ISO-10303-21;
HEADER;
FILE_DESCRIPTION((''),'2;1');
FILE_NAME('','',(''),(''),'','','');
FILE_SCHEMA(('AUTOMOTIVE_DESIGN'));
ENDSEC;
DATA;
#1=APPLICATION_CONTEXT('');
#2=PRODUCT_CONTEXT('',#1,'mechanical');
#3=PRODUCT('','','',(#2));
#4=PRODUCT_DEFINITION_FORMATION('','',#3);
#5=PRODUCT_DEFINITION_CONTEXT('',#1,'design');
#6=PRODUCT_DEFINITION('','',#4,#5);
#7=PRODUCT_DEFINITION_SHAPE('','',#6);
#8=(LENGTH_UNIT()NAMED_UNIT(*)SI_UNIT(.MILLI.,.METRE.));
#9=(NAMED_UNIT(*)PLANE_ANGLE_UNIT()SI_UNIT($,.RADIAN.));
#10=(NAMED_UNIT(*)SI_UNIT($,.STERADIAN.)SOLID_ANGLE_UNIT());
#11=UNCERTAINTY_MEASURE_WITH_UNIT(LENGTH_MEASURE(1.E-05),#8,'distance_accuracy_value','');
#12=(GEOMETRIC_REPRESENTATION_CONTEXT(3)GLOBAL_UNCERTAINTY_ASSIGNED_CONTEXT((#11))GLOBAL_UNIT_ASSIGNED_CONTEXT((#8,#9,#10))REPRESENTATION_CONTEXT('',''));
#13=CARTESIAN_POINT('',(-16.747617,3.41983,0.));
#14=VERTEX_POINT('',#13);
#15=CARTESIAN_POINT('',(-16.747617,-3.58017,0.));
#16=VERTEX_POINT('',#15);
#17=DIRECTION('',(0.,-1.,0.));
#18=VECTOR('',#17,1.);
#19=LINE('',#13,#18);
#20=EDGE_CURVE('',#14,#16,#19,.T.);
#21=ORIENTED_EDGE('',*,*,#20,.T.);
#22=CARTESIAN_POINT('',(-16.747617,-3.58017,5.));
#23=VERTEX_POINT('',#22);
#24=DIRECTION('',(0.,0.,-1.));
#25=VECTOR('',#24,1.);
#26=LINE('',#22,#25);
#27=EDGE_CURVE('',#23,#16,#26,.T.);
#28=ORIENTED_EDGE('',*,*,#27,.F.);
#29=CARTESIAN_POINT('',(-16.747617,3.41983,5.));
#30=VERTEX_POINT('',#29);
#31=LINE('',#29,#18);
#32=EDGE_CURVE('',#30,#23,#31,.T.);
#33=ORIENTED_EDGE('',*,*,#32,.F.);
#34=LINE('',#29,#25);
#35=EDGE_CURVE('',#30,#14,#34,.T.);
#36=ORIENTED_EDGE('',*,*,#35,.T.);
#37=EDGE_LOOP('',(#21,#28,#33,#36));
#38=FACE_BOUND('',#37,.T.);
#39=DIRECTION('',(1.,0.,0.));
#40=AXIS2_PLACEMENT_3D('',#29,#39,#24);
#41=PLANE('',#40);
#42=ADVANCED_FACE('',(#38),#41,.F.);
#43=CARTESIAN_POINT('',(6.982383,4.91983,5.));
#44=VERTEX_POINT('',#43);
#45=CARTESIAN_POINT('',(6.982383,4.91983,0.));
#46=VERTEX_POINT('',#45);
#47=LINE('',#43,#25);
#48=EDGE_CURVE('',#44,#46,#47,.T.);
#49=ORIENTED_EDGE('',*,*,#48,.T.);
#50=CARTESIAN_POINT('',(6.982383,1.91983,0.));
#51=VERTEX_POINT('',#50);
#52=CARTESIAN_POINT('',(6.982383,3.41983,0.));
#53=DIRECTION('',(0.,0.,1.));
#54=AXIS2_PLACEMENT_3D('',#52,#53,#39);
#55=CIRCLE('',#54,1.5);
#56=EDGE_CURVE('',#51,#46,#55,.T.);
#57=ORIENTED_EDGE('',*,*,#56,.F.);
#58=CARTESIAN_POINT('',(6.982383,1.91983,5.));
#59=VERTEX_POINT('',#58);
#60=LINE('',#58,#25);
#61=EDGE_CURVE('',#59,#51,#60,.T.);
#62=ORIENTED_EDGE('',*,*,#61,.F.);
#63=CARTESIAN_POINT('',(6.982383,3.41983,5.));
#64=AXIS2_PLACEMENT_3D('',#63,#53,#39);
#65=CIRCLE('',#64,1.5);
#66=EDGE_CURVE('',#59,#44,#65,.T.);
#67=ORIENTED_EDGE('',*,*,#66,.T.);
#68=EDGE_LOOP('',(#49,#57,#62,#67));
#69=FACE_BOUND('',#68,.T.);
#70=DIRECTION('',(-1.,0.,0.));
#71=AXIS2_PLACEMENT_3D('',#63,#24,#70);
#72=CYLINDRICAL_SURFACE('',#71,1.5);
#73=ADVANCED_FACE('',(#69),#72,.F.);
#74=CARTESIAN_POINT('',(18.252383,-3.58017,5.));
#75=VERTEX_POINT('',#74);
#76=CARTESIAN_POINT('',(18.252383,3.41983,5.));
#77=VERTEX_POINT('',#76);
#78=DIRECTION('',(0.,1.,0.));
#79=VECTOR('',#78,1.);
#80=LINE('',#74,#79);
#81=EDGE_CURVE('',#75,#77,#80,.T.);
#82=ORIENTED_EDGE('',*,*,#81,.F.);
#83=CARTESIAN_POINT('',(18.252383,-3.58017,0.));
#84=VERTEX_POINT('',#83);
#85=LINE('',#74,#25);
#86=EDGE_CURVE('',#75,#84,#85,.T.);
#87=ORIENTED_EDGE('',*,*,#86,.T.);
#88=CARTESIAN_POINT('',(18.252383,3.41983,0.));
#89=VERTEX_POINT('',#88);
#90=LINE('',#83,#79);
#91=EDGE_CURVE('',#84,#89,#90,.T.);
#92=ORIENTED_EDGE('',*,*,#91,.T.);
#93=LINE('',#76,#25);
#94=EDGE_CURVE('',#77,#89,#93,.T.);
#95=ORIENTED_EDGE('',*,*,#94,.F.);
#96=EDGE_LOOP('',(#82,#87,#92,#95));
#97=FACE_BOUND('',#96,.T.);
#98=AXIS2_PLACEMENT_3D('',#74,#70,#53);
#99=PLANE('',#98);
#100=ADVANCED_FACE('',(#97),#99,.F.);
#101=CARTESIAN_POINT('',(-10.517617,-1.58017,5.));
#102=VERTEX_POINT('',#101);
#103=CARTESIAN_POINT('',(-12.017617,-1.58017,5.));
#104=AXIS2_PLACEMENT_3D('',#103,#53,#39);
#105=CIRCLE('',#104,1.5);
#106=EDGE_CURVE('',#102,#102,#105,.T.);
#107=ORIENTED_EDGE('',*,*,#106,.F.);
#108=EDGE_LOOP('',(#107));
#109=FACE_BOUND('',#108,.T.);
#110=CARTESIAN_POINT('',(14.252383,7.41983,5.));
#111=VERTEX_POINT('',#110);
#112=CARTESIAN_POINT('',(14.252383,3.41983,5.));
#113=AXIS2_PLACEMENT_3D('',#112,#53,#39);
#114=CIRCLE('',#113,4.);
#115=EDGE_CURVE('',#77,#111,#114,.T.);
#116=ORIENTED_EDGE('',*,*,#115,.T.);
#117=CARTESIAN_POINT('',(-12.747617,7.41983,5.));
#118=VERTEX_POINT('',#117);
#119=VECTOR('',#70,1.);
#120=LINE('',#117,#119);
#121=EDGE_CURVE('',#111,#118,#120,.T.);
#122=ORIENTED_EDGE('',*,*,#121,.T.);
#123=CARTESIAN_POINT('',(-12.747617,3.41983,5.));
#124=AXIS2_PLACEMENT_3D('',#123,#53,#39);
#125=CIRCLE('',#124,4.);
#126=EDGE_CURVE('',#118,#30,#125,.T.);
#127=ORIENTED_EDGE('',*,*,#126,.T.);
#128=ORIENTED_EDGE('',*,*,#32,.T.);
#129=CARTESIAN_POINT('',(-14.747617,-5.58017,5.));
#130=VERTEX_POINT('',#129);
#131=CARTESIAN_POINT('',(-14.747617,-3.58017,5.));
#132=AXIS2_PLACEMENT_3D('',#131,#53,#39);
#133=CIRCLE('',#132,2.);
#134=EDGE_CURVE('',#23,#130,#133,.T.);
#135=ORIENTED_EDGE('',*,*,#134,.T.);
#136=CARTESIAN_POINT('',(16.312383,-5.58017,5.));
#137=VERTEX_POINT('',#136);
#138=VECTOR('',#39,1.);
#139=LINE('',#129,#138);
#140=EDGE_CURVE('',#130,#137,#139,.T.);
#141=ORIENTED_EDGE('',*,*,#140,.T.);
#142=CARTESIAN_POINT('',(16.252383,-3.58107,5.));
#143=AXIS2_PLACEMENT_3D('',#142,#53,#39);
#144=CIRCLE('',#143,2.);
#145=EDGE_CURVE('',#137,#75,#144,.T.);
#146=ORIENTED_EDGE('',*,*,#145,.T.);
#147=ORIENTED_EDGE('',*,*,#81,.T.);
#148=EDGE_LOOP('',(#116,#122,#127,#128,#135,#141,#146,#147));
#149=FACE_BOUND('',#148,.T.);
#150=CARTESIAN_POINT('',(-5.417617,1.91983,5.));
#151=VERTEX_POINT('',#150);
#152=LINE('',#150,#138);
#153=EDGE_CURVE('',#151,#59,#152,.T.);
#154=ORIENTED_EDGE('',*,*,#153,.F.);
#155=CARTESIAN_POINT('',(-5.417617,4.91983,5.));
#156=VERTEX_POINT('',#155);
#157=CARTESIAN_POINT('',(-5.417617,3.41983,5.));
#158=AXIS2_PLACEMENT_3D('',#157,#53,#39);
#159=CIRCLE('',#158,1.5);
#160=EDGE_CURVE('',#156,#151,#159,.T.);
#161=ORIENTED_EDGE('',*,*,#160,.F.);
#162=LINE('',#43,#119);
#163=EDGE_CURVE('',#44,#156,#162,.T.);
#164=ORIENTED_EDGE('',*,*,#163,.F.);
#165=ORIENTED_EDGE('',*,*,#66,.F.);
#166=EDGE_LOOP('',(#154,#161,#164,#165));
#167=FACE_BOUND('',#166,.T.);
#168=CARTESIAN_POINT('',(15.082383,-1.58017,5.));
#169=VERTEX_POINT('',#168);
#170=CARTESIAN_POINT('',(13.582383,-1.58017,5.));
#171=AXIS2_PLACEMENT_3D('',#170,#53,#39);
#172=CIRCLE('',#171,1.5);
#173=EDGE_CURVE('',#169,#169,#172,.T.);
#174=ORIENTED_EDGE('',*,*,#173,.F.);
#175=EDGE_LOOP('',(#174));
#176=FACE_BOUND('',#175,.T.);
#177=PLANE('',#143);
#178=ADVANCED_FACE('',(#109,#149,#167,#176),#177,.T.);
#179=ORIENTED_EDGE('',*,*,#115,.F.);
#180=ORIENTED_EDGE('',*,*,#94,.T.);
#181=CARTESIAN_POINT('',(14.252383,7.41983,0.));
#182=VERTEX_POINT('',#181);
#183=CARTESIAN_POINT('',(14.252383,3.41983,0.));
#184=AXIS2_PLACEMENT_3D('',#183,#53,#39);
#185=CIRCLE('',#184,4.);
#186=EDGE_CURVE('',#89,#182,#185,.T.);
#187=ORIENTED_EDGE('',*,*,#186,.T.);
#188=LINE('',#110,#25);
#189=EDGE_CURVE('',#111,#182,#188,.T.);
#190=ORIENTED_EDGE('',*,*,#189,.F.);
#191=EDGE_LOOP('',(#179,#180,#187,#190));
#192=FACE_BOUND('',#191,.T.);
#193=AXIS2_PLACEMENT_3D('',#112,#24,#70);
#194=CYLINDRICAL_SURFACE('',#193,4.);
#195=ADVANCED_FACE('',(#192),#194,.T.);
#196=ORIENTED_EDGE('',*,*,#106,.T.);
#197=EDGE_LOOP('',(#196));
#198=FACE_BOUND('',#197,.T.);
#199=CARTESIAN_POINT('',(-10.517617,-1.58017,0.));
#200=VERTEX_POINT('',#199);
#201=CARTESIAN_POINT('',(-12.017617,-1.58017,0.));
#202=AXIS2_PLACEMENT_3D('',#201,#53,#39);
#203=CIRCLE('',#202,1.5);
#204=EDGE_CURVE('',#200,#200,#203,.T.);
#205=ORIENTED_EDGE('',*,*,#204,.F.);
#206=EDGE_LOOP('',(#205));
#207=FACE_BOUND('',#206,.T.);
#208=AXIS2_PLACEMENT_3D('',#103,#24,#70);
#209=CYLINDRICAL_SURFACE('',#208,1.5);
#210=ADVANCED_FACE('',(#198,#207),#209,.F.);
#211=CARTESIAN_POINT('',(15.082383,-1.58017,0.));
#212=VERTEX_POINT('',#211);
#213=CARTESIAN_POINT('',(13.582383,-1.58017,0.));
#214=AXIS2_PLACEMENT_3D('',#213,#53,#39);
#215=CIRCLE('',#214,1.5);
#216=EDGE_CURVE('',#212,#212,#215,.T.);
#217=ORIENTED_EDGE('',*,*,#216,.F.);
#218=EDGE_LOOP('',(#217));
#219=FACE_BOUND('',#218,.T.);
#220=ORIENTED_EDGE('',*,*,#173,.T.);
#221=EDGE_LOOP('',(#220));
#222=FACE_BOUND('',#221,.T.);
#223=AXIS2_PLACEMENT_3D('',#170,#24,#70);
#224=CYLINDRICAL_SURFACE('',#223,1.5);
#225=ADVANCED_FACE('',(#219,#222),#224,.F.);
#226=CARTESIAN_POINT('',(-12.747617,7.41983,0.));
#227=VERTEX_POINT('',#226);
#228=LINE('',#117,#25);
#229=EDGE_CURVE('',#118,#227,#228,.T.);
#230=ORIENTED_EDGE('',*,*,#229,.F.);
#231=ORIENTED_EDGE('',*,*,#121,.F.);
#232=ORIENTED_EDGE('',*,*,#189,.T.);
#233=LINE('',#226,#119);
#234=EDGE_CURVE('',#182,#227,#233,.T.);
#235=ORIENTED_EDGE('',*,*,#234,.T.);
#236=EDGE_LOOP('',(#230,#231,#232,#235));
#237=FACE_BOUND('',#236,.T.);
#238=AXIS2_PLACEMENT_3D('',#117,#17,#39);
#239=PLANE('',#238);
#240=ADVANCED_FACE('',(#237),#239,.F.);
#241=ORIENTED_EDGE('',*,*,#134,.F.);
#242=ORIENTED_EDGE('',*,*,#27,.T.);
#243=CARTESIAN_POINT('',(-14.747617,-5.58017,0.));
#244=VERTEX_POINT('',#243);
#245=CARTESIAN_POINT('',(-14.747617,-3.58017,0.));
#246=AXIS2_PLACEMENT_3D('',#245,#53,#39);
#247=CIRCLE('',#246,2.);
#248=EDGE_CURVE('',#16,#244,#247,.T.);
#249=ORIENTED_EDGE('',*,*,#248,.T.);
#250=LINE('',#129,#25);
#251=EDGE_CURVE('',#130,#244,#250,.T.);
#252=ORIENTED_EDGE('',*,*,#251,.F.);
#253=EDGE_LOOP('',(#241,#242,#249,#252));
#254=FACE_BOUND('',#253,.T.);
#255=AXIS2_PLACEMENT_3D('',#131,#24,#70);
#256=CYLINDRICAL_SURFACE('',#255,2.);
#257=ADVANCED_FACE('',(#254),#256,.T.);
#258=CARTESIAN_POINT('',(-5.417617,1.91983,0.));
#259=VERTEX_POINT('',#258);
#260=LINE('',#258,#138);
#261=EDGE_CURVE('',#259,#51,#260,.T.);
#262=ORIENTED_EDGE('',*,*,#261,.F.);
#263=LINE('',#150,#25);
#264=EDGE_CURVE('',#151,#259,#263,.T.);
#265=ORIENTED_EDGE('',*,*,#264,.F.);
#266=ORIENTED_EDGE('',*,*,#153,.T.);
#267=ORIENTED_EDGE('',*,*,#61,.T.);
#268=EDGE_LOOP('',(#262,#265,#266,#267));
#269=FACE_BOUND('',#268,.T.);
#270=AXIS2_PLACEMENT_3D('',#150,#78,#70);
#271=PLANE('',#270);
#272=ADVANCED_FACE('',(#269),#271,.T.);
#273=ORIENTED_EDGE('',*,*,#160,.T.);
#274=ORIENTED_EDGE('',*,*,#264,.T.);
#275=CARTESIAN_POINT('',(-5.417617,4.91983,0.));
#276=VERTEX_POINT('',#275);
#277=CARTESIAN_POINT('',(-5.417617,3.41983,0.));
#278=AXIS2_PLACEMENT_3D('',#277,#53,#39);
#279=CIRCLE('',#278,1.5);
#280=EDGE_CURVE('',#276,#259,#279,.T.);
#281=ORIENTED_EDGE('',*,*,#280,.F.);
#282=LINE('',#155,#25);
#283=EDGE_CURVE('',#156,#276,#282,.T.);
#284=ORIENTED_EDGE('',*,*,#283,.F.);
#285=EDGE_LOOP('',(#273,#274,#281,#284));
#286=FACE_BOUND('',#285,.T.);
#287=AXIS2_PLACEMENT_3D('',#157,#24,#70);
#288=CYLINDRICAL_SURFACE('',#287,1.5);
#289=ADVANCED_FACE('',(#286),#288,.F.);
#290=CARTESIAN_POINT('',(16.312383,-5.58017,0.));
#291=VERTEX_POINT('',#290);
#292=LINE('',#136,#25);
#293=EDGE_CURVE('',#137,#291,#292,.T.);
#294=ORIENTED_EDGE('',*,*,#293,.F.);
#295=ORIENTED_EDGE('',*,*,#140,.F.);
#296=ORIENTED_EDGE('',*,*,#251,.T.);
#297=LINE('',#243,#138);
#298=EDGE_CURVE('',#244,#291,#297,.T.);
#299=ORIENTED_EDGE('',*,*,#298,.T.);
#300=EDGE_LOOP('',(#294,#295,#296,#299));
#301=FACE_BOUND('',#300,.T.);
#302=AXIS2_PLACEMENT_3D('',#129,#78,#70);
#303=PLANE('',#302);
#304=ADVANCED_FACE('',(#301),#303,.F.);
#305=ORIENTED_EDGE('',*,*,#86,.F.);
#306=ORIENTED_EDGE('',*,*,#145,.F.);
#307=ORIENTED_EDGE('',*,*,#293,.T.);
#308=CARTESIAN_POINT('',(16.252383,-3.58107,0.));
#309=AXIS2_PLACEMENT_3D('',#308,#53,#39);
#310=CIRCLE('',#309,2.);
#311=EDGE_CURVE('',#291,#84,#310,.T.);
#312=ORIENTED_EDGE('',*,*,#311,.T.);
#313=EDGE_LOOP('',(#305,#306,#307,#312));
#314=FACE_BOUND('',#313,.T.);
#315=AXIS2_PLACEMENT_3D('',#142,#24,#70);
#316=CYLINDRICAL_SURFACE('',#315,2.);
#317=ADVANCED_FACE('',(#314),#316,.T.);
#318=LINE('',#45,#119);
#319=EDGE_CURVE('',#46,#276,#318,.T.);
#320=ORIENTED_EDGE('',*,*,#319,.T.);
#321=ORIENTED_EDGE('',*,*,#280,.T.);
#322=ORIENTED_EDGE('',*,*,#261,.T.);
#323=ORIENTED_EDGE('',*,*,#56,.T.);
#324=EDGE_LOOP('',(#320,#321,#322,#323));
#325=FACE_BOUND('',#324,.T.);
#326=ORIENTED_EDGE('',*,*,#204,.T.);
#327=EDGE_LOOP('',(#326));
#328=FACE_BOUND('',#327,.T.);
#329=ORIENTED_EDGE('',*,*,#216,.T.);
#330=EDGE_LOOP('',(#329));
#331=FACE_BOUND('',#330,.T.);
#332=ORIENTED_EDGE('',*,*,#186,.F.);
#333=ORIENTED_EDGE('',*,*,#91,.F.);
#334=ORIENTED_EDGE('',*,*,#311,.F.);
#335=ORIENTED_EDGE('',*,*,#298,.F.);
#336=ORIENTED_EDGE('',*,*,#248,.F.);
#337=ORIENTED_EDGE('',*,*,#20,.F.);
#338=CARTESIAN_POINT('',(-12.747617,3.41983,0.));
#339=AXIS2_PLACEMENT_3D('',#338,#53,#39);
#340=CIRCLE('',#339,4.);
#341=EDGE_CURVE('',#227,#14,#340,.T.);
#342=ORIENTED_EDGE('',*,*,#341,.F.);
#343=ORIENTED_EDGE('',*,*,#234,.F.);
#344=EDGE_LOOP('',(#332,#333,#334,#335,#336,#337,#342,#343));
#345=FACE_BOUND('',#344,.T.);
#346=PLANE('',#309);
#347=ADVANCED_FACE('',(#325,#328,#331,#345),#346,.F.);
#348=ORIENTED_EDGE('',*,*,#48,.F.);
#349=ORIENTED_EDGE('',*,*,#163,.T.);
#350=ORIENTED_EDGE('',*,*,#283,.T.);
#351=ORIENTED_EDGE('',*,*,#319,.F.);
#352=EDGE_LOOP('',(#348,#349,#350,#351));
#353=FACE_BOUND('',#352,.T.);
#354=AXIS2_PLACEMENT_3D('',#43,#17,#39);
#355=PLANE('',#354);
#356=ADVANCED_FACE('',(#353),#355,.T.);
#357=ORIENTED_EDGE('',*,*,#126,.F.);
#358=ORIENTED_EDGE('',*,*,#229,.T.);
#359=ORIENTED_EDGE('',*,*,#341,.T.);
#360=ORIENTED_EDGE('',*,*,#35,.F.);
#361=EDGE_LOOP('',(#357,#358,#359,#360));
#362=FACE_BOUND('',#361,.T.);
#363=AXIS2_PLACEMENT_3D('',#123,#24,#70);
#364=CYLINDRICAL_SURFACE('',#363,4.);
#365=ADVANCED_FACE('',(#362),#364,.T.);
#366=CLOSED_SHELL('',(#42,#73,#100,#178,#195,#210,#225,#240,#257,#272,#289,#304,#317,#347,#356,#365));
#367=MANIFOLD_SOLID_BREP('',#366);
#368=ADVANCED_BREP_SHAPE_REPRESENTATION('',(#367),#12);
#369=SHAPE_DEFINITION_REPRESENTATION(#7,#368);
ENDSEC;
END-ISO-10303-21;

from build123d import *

# Parameters (mm, degrees)
ESQUISSE1_R        = 1.5
BOSS_EXTRU_1_DEPTH = 5


with BuildPart() as part:
    # Esquisse1 → Boss.-Extru.1 (new body)
    with BuildSketch(Plane.XY):
        with BuildLine():
            Line((18.252383146, -3.580169779), (18.252383146, 3.419830221))
            ThreePointArc((18.252383146, 3.419830221), (17.08081027, 6.248257345), (14.252383146, 7.419830221))
            Line((14.252383146, 7.419830221), (-12.747616854, 7.419830221))
            ThreePointArc((-12.747616854, 7.419830221), (-15.576043979, 6.248257345), (-16.747616854, 3.419830221))
            Line((-16.747616854, 3.419830221), (-16.747616854, -3.580169779))
            ThreePointArc((-16.747616854, -3.580169779), (-16.161830417, -4.994383342), (-14.747616854, -5.580169779))
            Line((-14.747616854, -5.580169779), (16.312383146, -5.580169779))
            ThreePointArc((16.312383146, -5.580169779), (17.687966708, -4.973585835), (18.252383146, -3.580169779))
        make_face()
        with Locations((13.582383146, -1.580169779)):
            Circle(ESQUISSE1_R, mode=Mode.SUBTRACT)
        with Locations((-12.017616854, -1.580169779)):
            Circle(ESQUISSE1_R, mode=Mode.SUBTRACT)
        with BuildLine():
            Line((-5.417616854, 1.919830221), (6.982383146, 1.919830221))
            ThreePointArc((6.982383146, 1.919830221), (8.482383146, 3.419830221), (6.982383146, 4.919830221))
            Line((6.982383146, 4.919830221), (-5.417616854, 4.919830221))
            ThreePointArc((-5.417616854, 4.919830221), (-6.917616854, 3.419830221), (-5.417616854, 1.919830221))
        make_face(mode=Mode.SUBTRACT)
    extrude(amount=BOSS_EXTRU_1_DEPTH)


solid = part.part
